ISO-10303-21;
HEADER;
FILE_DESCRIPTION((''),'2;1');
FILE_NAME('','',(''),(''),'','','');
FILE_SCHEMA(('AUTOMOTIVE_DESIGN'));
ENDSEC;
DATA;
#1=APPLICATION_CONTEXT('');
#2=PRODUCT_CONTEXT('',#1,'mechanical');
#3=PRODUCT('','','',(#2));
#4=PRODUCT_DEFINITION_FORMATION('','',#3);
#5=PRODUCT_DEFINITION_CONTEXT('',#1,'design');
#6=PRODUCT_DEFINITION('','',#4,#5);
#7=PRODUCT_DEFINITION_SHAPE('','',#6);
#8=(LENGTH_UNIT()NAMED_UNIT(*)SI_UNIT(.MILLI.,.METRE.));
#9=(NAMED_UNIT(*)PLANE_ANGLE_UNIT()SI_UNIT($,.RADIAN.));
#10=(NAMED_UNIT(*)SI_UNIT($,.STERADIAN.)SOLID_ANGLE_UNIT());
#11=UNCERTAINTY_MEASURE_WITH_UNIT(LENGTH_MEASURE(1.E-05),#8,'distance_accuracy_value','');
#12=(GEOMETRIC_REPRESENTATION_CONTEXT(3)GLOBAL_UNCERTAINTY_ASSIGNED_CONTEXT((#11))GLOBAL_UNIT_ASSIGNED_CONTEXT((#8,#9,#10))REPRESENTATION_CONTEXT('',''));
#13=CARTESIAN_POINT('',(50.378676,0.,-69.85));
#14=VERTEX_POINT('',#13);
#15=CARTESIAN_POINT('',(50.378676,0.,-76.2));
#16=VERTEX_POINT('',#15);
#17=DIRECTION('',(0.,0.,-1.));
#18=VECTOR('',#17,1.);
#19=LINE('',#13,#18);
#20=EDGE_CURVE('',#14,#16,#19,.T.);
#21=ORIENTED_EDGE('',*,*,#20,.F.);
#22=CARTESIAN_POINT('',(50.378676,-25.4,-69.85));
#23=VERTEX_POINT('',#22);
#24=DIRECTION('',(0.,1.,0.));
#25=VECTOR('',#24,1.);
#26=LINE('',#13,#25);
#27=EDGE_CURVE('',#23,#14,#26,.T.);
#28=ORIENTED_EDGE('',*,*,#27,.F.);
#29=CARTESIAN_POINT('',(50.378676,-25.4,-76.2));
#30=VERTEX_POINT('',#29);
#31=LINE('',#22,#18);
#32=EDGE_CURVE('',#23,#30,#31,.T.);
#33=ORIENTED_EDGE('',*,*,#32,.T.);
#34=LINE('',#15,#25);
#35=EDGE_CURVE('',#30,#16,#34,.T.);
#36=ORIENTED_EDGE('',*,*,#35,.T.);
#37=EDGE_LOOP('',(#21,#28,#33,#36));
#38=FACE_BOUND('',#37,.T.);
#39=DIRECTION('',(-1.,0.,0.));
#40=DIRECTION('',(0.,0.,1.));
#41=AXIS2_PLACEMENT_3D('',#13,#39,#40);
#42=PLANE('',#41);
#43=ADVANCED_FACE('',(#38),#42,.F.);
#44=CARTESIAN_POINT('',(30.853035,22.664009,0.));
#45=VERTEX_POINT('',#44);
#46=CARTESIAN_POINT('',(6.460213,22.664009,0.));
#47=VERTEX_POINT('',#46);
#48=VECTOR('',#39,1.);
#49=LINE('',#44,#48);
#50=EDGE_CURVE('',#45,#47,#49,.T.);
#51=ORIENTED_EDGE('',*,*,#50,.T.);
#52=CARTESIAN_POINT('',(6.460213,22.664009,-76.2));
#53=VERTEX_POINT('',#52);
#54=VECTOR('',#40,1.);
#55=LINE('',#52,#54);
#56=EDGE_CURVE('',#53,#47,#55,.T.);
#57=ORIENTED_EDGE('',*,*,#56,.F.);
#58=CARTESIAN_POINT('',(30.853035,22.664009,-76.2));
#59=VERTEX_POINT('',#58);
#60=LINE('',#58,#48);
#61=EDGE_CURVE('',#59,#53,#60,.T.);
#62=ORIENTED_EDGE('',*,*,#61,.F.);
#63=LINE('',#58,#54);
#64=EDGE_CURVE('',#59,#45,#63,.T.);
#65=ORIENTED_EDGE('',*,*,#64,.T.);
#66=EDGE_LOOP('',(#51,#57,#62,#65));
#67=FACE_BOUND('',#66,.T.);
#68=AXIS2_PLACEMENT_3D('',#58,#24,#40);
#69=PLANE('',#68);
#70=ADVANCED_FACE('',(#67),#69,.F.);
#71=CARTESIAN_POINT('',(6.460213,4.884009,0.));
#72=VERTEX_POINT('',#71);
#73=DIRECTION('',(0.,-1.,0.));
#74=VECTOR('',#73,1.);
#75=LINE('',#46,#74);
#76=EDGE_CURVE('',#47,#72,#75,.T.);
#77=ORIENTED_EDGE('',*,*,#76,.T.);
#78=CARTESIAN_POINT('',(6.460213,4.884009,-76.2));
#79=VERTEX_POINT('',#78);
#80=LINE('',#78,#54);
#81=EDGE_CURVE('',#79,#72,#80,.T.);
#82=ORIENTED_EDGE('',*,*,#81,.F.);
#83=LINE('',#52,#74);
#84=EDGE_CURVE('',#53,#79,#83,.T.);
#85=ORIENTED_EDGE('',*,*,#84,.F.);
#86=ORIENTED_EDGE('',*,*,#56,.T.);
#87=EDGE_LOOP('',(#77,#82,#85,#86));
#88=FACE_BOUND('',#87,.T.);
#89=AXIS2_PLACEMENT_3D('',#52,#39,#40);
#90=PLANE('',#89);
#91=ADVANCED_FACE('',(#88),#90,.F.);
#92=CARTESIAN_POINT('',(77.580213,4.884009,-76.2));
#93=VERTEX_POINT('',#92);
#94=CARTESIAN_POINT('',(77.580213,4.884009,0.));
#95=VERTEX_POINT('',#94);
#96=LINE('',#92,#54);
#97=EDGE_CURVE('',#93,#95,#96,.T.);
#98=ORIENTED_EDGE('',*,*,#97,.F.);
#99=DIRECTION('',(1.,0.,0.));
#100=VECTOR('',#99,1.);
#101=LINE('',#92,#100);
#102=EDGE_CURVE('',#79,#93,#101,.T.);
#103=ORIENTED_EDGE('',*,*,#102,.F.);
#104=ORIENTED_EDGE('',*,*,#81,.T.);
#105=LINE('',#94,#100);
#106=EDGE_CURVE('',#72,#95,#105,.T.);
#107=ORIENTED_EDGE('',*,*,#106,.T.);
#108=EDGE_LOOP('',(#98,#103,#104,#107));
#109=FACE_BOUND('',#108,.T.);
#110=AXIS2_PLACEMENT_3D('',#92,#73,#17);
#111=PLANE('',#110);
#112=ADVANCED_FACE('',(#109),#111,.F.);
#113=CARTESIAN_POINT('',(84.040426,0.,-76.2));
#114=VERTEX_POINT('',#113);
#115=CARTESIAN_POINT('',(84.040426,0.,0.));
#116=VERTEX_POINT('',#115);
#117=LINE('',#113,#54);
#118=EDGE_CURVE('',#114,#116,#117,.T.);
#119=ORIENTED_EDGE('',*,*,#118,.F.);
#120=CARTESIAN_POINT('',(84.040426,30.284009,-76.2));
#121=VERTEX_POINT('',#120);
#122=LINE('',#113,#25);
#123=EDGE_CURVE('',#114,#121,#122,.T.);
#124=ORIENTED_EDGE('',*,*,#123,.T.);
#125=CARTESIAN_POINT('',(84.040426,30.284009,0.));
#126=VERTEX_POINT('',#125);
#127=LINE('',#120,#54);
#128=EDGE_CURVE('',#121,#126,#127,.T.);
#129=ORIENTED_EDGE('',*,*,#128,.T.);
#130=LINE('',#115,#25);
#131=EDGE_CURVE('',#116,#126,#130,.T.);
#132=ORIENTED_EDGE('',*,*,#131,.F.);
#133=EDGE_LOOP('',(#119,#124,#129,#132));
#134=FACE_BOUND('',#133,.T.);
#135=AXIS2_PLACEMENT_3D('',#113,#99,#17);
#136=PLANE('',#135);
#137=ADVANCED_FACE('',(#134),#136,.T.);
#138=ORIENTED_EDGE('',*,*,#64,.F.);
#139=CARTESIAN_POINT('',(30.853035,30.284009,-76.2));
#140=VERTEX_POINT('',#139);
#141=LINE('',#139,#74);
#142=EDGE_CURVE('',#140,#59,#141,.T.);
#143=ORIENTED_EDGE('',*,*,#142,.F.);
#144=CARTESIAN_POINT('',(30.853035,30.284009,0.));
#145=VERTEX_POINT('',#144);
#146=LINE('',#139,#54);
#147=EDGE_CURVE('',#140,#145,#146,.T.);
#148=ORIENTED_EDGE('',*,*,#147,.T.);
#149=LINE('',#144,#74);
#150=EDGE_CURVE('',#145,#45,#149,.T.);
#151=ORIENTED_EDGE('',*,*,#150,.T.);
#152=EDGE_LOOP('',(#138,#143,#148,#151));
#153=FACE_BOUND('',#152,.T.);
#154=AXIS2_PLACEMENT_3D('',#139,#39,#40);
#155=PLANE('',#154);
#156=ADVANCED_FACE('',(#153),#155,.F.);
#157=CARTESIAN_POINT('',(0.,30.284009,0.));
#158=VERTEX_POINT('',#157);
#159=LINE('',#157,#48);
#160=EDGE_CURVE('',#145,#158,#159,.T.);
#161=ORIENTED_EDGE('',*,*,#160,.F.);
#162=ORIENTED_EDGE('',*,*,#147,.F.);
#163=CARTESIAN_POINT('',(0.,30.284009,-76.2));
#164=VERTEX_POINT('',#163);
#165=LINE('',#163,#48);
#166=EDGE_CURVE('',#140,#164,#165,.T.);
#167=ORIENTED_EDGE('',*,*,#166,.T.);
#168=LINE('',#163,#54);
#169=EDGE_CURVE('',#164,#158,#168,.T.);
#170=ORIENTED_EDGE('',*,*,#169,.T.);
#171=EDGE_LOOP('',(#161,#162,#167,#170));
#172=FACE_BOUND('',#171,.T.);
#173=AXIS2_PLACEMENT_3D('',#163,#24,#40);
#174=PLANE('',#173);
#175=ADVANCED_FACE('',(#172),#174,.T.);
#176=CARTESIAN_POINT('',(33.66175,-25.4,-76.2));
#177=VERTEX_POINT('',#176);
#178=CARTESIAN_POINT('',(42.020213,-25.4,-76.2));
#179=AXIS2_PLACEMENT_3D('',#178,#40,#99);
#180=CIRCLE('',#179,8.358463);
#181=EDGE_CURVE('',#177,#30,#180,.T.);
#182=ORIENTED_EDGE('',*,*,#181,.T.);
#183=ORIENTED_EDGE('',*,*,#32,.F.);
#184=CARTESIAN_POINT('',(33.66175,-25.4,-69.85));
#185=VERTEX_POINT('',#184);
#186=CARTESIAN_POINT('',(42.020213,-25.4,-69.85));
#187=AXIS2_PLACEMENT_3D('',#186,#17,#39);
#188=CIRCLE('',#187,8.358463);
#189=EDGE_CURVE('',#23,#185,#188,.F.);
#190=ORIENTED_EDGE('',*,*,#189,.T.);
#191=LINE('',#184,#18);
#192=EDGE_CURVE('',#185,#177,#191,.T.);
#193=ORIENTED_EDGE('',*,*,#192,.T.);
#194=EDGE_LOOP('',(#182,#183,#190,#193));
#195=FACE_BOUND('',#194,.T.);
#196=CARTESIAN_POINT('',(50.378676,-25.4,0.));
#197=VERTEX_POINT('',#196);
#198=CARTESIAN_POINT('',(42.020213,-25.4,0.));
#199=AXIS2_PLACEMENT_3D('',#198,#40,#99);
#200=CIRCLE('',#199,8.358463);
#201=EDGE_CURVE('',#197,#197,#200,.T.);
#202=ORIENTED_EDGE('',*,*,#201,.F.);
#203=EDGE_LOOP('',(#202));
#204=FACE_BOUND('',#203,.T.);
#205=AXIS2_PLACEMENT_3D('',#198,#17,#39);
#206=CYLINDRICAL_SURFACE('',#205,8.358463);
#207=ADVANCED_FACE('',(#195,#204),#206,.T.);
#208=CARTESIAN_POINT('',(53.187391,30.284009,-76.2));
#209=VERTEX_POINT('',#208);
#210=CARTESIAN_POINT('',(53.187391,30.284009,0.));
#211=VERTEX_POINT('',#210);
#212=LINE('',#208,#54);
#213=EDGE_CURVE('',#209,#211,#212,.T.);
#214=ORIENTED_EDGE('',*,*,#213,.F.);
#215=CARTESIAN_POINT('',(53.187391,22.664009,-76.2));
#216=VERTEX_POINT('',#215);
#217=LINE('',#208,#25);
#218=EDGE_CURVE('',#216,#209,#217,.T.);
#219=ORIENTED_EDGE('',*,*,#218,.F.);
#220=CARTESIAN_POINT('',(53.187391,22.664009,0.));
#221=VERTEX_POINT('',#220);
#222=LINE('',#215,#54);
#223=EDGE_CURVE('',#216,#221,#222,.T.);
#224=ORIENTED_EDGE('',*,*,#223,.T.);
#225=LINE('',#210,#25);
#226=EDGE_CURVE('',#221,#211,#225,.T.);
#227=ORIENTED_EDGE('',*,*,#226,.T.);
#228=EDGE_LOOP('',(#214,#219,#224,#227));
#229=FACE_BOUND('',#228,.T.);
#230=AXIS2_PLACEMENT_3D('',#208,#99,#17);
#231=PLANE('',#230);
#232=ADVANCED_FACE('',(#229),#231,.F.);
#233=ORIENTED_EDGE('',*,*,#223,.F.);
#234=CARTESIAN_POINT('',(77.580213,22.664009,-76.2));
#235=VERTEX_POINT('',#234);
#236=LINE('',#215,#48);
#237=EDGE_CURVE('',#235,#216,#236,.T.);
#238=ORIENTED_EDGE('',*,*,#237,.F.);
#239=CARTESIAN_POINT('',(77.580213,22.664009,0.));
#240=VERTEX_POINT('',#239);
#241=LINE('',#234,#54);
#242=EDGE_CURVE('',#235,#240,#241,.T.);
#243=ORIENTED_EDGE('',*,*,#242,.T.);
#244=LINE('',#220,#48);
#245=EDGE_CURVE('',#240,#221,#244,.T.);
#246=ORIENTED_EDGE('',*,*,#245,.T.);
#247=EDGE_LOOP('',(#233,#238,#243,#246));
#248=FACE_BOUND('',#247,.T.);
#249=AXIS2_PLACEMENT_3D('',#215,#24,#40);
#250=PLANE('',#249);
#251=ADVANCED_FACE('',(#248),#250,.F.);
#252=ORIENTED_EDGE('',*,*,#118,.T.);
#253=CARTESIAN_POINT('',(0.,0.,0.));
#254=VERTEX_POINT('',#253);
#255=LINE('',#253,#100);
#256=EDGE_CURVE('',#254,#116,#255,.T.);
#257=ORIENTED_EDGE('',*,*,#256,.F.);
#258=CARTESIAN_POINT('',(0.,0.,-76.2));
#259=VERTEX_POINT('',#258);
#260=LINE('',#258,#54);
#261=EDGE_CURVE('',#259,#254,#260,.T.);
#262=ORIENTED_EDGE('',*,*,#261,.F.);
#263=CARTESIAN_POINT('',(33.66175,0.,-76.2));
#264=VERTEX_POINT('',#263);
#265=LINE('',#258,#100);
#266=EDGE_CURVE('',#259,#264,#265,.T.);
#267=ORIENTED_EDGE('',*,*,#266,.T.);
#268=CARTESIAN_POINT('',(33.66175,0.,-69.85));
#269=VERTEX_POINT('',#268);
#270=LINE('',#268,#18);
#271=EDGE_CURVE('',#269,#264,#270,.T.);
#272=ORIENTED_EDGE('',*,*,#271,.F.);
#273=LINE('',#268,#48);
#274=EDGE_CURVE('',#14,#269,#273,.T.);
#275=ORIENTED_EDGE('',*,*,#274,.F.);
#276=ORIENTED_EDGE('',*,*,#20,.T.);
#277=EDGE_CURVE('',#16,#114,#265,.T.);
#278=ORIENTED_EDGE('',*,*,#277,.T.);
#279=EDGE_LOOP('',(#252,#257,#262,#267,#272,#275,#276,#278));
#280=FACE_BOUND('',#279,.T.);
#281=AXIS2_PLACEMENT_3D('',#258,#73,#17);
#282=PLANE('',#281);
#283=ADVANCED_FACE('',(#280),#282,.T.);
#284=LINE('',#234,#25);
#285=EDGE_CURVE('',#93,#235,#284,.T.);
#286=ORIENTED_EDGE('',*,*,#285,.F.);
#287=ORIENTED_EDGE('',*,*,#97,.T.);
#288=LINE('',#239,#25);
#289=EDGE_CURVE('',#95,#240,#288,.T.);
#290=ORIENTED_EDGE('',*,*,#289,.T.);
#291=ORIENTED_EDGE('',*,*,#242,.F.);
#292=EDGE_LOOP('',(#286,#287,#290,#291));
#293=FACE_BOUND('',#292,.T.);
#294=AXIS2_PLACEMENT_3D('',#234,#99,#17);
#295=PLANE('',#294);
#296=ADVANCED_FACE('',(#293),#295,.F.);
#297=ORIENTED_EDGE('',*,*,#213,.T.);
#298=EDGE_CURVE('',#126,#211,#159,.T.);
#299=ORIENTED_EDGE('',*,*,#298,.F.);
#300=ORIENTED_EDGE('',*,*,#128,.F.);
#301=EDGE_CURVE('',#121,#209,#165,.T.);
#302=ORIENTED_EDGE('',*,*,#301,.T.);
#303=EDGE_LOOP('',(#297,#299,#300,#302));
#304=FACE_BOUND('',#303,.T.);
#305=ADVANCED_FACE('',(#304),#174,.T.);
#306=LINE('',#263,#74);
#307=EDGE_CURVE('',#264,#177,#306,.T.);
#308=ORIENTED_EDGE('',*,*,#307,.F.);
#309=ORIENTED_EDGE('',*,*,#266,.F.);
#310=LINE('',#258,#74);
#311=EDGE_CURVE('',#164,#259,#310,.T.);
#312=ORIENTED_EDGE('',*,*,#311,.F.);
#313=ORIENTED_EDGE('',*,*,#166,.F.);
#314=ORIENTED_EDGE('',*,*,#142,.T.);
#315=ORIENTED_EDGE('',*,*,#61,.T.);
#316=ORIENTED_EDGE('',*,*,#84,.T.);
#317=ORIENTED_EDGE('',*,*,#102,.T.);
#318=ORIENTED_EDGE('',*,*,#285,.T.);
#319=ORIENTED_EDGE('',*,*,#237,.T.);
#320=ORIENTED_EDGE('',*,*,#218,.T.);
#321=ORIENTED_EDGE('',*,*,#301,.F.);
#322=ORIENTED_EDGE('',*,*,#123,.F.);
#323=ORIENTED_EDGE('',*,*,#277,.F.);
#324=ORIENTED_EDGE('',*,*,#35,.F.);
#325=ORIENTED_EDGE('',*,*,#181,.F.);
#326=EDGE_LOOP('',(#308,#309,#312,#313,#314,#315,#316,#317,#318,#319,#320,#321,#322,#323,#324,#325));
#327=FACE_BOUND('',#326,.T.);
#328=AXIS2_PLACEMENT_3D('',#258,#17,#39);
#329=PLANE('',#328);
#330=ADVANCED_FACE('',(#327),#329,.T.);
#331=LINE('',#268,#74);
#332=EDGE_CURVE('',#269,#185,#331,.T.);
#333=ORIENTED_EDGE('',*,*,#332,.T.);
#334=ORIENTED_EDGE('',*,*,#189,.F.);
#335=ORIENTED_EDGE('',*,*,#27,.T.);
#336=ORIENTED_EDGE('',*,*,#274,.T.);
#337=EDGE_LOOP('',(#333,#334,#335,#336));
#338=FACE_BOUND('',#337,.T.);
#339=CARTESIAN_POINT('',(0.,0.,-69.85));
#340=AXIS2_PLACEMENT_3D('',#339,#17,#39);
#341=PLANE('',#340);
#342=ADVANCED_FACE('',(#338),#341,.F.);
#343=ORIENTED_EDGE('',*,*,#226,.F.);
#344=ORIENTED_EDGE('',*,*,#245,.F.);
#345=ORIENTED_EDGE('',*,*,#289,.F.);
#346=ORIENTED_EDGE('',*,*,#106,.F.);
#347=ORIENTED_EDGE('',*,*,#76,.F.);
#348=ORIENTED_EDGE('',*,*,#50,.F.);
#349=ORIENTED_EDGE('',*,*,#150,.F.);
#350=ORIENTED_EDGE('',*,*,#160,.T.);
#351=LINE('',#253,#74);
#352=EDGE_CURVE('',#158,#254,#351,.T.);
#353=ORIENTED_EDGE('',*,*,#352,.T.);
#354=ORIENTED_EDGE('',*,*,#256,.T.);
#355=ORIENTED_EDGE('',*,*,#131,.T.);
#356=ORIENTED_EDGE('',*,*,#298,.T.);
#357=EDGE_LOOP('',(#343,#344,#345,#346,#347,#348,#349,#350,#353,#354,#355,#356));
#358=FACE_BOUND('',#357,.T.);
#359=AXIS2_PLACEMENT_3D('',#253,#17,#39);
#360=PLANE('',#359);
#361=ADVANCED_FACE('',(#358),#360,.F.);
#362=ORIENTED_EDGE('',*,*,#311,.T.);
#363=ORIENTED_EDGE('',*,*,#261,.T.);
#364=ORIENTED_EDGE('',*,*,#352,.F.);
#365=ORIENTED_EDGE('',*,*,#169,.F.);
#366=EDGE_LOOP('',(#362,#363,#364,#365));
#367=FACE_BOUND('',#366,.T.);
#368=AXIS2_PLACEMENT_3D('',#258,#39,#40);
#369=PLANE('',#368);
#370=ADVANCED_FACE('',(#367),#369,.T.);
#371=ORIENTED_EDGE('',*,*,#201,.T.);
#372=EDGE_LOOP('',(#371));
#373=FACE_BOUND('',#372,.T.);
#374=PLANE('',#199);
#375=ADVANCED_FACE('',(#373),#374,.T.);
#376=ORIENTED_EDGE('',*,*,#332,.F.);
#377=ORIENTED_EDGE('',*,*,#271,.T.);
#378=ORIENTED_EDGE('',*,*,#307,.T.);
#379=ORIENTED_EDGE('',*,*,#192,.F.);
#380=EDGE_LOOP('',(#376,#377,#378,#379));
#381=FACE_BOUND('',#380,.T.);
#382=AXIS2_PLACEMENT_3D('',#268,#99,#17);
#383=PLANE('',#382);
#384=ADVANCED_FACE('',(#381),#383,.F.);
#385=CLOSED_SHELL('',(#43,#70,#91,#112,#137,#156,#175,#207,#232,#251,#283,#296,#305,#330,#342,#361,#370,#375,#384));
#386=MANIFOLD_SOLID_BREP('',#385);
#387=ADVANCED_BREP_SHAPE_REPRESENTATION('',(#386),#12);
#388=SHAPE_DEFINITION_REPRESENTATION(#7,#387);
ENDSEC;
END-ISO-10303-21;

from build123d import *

# Parameters (mm, degrees)
SKETCH1_W           = 84.040425815
SKETCH1_H           = 30.284008864
BOSS_EXTRUDE1_DEPTH = 76.2
CUT_EXTRUDE1_DEPTH  = 118.415307197
SKETCH3_W           = 16.716926531
SKETCH3_H           = 25.4
BOSS_EXTRUDE2_DEPTH = 6.35
SKETCH4_R           = 8.358463265
BOSS_EXTRUDE3_DEPTH = 76.2


with BuildPart() as part:
    # Sketch1 → Boss-Extrude1 (new body)
    with BuildSketch(Plane.XY):
        with Locations((42.020212908, 15.142004432)):
            Rectangle(SKETCH1_W, SKETCH1_H)
    extrude(amount=-BOSS_EXTRUDE1_DEPTH)

    # Sketch2 → Cut-Extrude1 (cut, through all)
    with BuildSketch(Plane.XY):
        Polygon((30.853035266, 30.284008864), (53.187390549, 30.284008864), (53.187390549, 22.664008864), (77.580212908, 22.664008864), (77.580212908, 4.884008864), (6.460212908, 4.884008864), (6.460212908, 22.664008864), (30.853035266, 22.664008864), align=None)
    extrude(amount=-CUT_EXTRUDE1_DEPTH, mode=Mode.SUBTRACT)

    # Sketch3 → Boss-Extrude2 (add)
    with BuildSketch(Plane.XY.offset(-76.2)):
        with Locations((42.020212908, -12.7)):
            Rectangle(SKETCH3_W, SKETCH3_H)
    extrude(amount=BOSS_EXTRUDE2_DEPTH)

    # Sketch4 → Boss-Extrude3 (add)
    with BuildSketch(Plane.XY.offset(-76.2)):
        with Locations((42.020212908, -25.4)):
            Circle(SKETCH4_R)
    extrude(amount=BOSS_EXTRUDE3_DEPTH)


solid = part.part
